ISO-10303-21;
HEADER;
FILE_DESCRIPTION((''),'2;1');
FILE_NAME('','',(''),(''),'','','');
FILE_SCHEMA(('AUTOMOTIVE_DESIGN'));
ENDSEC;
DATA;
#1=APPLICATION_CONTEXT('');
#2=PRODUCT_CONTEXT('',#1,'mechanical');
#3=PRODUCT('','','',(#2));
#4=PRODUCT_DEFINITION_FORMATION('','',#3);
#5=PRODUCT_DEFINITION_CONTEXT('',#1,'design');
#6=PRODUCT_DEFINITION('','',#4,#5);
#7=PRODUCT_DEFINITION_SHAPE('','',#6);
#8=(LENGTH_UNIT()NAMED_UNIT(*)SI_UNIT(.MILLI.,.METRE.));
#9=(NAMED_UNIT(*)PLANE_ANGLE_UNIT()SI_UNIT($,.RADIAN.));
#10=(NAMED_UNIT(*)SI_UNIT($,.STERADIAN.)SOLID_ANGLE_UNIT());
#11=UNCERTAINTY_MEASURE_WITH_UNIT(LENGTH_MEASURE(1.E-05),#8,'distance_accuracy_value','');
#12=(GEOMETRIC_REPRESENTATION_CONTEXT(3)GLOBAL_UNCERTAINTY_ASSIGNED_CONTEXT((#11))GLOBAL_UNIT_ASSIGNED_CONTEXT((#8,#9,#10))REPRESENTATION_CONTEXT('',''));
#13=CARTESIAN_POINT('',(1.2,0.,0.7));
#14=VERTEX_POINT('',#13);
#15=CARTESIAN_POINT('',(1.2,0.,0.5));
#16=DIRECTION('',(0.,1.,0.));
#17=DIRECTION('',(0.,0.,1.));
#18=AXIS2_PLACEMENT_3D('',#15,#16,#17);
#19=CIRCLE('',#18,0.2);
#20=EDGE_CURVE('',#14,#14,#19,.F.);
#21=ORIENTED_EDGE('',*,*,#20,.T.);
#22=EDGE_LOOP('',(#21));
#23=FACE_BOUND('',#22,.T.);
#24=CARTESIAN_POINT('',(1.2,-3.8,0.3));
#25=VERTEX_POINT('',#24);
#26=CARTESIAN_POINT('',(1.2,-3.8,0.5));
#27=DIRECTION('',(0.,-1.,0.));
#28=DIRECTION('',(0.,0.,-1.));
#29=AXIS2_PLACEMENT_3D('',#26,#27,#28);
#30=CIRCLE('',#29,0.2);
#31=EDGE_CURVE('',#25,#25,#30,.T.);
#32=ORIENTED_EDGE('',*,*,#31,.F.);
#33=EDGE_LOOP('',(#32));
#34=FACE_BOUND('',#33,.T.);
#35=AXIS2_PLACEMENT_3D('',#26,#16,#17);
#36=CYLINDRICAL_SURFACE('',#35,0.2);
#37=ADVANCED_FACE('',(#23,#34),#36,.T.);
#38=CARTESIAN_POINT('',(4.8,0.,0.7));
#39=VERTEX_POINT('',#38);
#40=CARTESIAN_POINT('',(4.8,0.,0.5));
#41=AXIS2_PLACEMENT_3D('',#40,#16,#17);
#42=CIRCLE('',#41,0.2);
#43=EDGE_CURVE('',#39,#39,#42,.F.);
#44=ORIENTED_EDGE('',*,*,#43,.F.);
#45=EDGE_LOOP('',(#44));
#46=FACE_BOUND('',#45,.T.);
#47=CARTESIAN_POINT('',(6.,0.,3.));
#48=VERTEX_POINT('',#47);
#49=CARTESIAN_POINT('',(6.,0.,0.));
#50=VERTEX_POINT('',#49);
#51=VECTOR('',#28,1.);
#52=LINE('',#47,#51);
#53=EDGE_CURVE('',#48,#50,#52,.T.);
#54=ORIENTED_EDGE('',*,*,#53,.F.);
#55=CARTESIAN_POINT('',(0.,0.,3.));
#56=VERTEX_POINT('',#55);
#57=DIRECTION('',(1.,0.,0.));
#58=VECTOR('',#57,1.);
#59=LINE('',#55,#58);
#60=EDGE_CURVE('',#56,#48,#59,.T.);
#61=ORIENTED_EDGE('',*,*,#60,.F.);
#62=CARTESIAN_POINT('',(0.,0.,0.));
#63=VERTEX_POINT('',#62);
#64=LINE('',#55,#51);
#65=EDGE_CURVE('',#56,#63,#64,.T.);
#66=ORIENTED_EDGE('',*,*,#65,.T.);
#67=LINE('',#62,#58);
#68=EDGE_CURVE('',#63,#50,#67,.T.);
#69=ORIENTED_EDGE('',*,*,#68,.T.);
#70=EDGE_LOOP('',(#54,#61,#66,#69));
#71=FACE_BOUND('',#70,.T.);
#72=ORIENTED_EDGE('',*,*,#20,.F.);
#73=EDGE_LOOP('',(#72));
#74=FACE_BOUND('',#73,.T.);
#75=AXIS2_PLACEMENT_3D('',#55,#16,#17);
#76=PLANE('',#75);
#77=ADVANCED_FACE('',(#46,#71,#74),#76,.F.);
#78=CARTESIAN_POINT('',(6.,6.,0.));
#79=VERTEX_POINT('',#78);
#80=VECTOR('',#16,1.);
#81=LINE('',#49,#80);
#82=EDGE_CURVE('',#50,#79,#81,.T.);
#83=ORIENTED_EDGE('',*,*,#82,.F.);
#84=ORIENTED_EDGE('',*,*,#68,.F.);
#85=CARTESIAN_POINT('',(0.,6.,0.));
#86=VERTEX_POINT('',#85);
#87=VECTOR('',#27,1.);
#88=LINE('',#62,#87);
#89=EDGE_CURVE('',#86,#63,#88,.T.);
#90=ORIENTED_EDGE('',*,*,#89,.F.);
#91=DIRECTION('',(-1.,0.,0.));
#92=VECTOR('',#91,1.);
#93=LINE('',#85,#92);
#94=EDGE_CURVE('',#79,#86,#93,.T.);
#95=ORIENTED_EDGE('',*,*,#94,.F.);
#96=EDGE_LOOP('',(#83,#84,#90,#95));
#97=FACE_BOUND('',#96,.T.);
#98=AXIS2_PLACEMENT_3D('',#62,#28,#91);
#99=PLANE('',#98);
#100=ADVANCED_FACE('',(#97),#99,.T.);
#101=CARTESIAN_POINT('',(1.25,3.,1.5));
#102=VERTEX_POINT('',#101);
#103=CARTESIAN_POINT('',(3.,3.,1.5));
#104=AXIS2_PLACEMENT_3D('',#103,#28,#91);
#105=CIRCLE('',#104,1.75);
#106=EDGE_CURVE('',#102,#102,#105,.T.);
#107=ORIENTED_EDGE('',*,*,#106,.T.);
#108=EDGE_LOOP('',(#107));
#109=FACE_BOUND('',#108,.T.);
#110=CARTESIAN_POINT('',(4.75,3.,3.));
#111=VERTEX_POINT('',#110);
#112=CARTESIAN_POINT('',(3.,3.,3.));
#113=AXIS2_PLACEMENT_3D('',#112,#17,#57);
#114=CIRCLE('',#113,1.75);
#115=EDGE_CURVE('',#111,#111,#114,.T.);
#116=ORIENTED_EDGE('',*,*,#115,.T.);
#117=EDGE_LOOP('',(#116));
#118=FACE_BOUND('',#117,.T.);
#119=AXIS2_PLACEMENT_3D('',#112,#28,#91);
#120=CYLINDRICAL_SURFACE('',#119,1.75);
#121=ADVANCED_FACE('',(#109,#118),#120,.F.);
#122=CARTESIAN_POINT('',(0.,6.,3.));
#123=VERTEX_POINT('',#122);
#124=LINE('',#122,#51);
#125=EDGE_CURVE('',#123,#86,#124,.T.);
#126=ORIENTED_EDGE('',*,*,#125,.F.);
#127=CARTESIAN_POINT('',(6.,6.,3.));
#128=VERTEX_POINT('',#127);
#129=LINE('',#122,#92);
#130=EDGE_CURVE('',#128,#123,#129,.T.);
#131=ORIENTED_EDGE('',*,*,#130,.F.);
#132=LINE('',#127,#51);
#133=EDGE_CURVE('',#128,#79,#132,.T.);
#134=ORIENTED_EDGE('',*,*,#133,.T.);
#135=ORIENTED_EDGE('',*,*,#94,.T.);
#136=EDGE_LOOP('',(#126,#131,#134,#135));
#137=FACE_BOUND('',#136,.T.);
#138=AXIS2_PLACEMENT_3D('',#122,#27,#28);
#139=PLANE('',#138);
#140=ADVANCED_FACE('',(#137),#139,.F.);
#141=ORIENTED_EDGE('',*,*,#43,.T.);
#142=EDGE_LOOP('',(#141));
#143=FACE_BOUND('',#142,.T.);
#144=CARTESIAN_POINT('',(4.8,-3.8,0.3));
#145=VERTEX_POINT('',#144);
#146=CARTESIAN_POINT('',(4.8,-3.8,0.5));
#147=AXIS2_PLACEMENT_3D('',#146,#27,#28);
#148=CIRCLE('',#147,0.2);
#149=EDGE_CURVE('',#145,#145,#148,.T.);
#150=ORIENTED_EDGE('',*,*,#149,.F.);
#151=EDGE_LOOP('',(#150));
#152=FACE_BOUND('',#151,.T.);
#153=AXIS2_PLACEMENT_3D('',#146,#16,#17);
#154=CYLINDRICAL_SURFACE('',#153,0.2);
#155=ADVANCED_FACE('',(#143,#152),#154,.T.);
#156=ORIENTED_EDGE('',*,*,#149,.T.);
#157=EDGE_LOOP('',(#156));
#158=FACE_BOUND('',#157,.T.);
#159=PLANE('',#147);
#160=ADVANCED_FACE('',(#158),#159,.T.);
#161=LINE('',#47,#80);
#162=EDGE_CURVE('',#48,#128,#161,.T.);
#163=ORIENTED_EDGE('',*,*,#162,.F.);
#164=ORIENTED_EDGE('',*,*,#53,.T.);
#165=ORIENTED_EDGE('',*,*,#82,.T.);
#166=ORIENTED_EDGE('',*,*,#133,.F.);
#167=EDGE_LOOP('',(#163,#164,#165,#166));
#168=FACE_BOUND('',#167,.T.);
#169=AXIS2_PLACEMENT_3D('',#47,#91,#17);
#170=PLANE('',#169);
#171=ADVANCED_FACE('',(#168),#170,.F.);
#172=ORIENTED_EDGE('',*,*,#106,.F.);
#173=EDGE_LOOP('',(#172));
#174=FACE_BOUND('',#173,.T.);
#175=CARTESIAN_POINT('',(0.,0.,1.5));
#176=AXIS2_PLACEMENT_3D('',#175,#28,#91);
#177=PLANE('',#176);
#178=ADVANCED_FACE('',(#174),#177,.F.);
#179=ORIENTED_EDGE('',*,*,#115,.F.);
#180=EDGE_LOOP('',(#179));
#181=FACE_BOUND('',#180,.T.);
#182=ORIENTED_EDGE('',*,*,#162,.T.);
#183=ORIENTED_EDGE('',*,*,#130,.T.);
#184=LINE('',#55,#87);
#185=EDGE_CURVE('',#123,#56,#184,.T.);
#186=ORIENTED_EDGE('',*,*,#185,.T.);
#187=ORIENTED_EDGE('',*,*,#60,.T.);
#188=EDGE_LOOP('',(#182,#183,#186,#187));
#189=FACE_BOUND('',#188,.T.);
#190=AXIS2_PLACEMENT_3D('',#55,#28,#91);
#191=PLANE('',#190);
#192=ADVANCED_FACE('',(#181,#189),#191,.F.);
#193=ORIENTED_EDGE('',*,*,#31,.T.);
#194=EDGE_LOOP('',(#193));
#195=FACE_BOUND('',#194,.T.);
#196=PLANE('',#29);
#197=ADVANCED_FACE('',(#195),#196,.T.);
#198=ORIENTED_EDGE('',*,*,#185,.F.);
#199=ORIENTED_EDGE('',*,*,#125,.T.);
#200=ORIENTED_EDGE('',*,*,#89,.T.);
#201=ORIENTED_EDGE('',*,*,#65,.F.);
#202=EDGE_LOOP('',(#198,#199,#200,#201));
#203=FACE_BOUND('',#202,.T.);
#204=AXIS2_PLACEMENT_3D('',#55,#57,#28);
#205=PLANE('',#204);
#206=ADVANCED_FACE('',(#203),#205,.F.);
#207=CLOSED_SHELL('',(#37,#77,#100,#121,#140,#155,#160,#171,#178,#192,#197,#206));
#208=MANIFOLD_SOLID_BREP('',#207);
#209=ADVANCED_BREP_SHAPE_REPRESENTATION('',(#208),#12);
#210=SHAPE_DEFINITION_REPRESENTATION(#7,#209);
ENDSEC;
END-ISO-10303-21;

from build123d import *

# Parameters (mm, degrees)
SKETCH1_W           = 6
SKETCH1_H           = 6
SKETCH1_R           = 1.75
BOSS_EXTRUDE1_DEPTH = 3
SKETCH2_W           = 6
SKETCH2_H           = 6
BOSS_EXTRUDE2_DEPTH = 1.5
SKETCH3_R           = 0.2
BOSS_EXTRUDE3_DEPTH = 3.8


with BuildPart() as part:
    # Sketch1 → Boss-Extrude1 (new body)
    with BuildSketch(Plane.XY):
        with Locations((3, 3)):
            Rectangle(SKETCH1_W, SKETCH1_H)
        with Locations((3, 3)):
            Circle(SKETCH1_R, mode=Mode.SUBTRACT)
    extrude(amount=BOSS_EXTRUDE1_DEPTH)

    # Sketch2 → Boss-Extrude2 (add)
    with BuildSketch(Plane.XY):
        with Locations((3, 3)):
            Rectangle(SKETCH2_W, SKETCH2_H)
    extrude(amount=BOSS_EXTRUDE2_DEPTH)

    # Sketch3 → Boss-Extrude3 (add)
    with BuildSketch(Plane.XZ):
        with Locations(Location((1.2, 0.5, 0), (0, 0, 90))):
            Circle(SKETCH3_R)
        with Locations(Location((4.8, 0.5, 0), (0, 0, 90))):
            Circle(SKETCH3_R)
    extrude(amount=BOSS_EXTRUDE3_DEPTH)


solid = part.part
